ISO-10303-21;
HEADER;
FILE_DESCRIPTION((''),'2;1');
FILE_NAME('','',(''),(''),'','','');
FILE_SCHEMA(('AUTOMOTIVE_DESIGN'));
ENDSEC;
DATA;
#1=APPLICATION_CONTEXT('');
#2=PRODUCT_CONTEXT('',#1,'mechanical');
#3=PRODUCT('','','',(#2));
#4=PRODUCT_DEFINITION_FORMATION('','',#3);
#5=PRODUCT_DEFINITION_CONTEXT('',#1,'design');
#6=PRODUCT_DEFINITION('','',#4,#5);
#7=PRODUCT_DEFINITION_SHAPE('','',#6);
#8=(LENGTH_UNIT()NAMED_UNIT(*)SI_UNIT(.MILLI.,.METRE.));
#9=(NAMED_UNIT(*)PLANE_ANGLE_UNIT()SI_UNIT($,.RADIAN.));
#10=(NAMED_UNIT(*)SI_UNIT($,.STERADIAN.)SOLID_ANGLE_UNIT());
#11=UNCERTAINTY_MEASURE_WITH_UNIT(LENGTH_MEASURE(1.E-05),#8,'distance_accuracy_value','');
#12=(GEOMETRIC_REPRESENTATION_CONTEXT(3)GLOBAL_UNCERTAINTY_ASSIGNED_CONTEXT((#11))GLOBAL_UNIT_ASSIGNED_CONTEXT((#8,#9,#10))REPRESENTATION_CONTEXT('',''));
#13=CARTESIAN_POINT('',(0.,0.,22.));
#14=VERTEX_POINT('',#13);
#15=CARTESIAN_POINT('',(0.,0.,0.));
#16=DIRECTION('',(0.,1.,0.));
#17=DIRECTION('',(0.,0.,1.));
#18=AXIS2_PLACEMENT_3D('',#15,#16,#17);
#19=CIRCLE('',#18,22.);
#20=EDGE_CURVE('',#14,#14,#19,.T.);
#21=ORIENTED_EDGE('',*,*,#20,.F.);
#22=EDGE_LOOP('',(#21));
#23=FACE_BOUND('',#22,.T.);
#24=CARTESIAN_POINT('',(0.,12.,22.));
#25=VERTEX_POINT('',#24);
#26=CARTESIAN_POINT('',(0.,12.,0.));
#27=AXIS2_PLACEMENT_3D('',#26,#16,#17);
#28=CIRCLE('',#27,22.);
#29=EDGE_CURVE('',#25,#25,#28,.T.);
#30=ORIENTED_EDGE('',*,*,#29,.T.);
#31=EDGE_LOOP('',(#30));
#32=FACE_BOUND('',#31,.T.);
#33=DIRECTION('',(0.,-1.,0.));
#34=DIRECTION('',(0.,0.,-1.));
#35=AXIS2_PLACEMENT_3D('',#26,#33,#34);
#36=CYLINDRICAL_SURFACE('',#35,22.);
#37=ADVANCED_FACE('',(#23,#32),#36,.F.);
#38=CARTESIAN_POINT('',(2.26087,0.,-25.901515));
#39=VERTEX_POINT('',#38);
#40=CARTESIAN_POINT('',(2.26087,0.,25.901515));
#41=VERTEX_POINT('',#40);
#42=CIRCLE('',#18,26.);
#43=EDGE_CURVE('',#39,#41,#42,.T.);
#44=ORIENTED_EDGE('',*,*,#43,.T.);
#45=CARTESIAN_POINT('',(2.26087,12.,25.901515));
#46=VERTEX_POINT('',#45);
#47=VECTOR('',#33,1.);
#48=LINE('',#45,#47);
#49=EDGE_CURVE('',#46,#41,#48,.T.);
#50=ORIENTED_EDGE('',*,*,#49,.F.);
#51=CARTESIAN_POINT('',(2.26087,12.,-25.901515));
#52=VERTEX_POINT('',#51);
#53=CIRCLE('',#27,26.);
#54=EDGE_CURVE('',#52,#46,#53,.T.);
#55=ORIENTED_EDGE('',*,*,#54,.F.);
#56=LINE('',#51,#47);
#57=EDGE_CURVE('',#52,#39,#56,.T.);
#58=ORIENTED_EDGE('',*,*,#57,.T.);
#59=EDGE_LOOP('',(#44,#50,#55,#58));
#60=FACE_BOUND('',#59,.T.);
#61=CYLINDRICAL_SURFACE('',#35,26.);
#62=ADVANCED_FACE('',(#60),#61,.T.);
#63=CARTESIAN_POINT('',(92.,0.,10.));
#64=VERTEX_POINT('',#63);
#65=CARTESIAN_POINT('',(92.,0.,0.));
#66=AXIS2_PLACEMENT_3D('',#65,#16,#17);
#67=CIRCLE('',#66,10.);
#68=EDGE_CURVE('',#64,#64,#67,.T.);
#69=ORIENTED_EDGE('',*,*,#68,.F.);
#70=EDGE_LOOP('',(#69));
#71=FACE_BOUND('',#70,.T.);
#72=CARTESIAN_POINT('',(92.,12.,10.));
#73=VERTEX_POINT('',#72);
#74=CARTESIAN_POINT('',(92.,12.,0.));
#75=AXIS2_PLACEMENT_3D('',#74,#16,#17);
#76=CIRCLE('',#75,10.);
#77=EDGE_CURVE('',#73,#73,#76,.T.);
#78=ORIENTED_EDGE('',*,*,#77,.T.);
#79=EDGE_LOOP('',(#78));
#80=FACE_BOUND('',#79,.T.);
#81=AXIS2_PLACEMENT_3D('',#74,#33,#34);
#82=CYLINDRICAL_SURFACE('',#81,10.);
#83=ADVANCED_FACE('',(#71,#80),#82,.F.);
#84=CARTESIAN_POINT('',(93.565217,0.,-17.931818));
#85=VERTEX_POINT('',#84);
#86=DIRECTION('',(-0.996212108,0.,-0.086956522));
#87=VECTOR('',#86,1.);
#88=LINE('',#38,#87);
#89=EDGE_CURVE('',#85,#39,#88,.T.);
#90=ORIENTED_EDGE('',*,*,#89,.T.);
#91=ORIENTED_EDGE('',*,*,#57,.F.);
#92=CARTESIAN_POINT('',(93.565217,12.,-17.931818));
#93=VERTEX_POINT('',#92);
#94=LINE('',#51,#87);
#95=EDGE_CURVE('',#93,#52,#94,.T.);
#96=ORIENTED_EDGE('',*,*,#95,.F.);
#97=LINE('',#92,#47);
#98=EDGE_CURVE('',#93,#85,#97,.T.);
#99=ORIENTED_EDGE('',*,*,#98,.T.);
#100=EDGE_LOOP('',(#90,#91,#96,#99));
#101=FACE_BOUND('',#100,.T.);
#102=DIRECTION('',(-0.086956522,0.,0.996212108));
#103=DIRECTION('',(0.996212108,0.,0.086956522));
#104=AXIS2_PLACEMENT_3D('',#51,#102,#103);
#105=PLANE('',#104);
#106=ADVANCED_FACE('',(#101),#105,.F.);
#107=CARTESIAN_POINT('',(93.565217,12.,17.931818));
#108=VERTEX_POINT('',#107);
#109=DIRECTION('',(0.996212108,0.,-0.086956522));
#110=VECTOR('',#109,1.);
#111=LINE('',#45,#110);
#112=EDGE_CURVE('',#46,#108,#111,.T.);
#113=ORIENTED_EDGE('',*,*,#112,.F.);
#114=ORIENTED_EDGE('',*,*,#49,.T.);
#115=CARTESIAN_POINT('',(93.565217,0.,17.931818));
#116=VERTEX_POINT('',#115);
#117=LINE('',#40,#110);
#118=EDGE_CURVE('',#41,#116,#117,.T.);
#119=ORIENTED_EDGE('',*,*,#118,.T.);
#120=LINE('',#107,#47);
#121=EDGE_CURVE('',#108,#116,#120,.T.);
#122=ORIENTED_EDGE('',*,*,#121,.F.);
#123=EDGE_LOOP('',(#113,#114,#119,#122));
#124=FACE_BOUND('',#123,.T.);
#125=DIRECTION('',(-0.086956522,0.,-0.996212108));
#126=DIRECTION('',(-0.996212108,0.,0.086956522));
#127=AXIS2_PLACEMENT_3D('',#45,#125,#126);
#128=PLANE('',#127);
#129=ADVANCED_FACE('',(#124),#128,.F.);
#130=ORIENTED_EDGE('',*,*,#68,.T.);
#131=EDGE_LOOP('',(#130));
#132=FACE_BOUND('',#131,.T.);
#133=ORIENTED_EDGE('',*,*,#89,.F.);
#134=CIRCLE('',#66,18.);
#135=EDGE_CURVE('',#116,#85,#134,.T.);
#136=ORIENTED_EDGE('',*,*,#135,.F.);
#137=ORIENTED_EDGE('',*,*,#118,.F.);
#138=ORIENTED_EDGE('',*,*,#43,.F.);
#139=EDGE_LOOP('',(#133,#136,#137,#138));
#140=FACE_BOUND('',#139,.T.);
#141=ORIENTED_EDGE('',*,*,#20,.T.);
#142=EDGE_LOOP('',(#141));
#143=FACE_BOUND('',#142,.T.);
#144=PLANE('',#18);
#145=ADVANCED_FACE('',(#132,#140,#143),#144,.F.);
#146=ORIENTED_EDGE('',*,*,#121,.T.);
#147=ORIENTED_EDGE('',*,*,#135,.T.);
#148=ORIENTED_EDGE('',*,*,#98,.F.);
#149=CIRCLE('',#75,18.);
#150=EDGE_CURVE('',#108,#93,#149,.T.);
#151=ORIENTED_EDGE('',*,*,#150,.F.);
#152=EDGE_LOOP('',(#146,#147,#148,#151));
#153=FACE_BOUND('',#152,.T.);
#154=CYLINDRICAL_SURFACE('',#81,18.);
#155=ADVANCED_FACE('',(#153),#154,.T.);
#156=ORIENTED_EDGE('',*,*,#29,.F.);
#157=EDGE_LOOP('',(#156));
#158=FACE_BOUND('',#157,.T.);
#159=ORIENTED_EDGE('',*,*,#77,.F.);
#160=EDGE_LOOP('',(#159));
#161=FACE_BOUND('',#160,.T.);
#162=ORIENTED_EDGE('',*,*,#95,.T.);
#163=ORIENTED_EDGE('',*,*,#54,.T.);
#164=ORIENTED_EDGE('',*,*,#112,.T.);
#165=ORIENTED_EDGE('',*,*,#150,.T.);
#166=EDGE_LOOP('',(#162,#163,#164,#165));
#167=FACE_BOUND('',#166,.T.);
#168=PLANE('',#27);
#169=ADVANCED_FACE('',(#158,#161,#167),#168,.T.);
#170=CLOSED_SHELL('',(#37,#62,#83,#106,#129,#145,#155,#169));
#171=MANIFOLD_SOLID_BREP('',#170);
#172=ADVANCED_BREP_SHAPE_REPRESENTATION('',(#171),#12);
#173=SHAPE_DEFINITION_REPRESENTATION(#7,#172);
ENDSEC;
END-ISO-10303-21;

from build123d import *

# Parameters (mm, degrees)
SKETCH1_R           = 22
SKETCH1_R_2         = 10
BOSS_EXTRUDE1_DEPTH = 12


with BuildPart() as part:
    # Sketch1 → Boss-Extrude1 (new body)
    with BuildSketch(Plane(origin=(0, 0, 0), x_dir=(1, 0, 0), z_dir=(0, 1, 0))):
        with BuildLine():
            Line((2.260869565, 25.901514798), (93.565217391, 17.931817937))
            ThreePointArc((93.565217391, 17.931817937), (110, 0), (93.565217391, -17.931817937))
            Line((93.565217391, -17.931817937), (2.260869565, -25.901514798))
            ThreePointArc((2.260869565, -25.901514798), (-26, 0), (2.260869565, 25.901514798))
        make_face()
        with Locations(Location((0, 0, 0), (0, 0, 270))):
            Circle(SKETCH1_R, mode=Mode.SUBTRACT)
        with Locations(Location((92, 0, 0), (0, 0, 270))):
            Circle(SKETCH1_R_2, mode=Mode.SUBTRACT)
    extrude(amount=BOSS_EXTRUDE1_DEPTH)


solid = part.part
